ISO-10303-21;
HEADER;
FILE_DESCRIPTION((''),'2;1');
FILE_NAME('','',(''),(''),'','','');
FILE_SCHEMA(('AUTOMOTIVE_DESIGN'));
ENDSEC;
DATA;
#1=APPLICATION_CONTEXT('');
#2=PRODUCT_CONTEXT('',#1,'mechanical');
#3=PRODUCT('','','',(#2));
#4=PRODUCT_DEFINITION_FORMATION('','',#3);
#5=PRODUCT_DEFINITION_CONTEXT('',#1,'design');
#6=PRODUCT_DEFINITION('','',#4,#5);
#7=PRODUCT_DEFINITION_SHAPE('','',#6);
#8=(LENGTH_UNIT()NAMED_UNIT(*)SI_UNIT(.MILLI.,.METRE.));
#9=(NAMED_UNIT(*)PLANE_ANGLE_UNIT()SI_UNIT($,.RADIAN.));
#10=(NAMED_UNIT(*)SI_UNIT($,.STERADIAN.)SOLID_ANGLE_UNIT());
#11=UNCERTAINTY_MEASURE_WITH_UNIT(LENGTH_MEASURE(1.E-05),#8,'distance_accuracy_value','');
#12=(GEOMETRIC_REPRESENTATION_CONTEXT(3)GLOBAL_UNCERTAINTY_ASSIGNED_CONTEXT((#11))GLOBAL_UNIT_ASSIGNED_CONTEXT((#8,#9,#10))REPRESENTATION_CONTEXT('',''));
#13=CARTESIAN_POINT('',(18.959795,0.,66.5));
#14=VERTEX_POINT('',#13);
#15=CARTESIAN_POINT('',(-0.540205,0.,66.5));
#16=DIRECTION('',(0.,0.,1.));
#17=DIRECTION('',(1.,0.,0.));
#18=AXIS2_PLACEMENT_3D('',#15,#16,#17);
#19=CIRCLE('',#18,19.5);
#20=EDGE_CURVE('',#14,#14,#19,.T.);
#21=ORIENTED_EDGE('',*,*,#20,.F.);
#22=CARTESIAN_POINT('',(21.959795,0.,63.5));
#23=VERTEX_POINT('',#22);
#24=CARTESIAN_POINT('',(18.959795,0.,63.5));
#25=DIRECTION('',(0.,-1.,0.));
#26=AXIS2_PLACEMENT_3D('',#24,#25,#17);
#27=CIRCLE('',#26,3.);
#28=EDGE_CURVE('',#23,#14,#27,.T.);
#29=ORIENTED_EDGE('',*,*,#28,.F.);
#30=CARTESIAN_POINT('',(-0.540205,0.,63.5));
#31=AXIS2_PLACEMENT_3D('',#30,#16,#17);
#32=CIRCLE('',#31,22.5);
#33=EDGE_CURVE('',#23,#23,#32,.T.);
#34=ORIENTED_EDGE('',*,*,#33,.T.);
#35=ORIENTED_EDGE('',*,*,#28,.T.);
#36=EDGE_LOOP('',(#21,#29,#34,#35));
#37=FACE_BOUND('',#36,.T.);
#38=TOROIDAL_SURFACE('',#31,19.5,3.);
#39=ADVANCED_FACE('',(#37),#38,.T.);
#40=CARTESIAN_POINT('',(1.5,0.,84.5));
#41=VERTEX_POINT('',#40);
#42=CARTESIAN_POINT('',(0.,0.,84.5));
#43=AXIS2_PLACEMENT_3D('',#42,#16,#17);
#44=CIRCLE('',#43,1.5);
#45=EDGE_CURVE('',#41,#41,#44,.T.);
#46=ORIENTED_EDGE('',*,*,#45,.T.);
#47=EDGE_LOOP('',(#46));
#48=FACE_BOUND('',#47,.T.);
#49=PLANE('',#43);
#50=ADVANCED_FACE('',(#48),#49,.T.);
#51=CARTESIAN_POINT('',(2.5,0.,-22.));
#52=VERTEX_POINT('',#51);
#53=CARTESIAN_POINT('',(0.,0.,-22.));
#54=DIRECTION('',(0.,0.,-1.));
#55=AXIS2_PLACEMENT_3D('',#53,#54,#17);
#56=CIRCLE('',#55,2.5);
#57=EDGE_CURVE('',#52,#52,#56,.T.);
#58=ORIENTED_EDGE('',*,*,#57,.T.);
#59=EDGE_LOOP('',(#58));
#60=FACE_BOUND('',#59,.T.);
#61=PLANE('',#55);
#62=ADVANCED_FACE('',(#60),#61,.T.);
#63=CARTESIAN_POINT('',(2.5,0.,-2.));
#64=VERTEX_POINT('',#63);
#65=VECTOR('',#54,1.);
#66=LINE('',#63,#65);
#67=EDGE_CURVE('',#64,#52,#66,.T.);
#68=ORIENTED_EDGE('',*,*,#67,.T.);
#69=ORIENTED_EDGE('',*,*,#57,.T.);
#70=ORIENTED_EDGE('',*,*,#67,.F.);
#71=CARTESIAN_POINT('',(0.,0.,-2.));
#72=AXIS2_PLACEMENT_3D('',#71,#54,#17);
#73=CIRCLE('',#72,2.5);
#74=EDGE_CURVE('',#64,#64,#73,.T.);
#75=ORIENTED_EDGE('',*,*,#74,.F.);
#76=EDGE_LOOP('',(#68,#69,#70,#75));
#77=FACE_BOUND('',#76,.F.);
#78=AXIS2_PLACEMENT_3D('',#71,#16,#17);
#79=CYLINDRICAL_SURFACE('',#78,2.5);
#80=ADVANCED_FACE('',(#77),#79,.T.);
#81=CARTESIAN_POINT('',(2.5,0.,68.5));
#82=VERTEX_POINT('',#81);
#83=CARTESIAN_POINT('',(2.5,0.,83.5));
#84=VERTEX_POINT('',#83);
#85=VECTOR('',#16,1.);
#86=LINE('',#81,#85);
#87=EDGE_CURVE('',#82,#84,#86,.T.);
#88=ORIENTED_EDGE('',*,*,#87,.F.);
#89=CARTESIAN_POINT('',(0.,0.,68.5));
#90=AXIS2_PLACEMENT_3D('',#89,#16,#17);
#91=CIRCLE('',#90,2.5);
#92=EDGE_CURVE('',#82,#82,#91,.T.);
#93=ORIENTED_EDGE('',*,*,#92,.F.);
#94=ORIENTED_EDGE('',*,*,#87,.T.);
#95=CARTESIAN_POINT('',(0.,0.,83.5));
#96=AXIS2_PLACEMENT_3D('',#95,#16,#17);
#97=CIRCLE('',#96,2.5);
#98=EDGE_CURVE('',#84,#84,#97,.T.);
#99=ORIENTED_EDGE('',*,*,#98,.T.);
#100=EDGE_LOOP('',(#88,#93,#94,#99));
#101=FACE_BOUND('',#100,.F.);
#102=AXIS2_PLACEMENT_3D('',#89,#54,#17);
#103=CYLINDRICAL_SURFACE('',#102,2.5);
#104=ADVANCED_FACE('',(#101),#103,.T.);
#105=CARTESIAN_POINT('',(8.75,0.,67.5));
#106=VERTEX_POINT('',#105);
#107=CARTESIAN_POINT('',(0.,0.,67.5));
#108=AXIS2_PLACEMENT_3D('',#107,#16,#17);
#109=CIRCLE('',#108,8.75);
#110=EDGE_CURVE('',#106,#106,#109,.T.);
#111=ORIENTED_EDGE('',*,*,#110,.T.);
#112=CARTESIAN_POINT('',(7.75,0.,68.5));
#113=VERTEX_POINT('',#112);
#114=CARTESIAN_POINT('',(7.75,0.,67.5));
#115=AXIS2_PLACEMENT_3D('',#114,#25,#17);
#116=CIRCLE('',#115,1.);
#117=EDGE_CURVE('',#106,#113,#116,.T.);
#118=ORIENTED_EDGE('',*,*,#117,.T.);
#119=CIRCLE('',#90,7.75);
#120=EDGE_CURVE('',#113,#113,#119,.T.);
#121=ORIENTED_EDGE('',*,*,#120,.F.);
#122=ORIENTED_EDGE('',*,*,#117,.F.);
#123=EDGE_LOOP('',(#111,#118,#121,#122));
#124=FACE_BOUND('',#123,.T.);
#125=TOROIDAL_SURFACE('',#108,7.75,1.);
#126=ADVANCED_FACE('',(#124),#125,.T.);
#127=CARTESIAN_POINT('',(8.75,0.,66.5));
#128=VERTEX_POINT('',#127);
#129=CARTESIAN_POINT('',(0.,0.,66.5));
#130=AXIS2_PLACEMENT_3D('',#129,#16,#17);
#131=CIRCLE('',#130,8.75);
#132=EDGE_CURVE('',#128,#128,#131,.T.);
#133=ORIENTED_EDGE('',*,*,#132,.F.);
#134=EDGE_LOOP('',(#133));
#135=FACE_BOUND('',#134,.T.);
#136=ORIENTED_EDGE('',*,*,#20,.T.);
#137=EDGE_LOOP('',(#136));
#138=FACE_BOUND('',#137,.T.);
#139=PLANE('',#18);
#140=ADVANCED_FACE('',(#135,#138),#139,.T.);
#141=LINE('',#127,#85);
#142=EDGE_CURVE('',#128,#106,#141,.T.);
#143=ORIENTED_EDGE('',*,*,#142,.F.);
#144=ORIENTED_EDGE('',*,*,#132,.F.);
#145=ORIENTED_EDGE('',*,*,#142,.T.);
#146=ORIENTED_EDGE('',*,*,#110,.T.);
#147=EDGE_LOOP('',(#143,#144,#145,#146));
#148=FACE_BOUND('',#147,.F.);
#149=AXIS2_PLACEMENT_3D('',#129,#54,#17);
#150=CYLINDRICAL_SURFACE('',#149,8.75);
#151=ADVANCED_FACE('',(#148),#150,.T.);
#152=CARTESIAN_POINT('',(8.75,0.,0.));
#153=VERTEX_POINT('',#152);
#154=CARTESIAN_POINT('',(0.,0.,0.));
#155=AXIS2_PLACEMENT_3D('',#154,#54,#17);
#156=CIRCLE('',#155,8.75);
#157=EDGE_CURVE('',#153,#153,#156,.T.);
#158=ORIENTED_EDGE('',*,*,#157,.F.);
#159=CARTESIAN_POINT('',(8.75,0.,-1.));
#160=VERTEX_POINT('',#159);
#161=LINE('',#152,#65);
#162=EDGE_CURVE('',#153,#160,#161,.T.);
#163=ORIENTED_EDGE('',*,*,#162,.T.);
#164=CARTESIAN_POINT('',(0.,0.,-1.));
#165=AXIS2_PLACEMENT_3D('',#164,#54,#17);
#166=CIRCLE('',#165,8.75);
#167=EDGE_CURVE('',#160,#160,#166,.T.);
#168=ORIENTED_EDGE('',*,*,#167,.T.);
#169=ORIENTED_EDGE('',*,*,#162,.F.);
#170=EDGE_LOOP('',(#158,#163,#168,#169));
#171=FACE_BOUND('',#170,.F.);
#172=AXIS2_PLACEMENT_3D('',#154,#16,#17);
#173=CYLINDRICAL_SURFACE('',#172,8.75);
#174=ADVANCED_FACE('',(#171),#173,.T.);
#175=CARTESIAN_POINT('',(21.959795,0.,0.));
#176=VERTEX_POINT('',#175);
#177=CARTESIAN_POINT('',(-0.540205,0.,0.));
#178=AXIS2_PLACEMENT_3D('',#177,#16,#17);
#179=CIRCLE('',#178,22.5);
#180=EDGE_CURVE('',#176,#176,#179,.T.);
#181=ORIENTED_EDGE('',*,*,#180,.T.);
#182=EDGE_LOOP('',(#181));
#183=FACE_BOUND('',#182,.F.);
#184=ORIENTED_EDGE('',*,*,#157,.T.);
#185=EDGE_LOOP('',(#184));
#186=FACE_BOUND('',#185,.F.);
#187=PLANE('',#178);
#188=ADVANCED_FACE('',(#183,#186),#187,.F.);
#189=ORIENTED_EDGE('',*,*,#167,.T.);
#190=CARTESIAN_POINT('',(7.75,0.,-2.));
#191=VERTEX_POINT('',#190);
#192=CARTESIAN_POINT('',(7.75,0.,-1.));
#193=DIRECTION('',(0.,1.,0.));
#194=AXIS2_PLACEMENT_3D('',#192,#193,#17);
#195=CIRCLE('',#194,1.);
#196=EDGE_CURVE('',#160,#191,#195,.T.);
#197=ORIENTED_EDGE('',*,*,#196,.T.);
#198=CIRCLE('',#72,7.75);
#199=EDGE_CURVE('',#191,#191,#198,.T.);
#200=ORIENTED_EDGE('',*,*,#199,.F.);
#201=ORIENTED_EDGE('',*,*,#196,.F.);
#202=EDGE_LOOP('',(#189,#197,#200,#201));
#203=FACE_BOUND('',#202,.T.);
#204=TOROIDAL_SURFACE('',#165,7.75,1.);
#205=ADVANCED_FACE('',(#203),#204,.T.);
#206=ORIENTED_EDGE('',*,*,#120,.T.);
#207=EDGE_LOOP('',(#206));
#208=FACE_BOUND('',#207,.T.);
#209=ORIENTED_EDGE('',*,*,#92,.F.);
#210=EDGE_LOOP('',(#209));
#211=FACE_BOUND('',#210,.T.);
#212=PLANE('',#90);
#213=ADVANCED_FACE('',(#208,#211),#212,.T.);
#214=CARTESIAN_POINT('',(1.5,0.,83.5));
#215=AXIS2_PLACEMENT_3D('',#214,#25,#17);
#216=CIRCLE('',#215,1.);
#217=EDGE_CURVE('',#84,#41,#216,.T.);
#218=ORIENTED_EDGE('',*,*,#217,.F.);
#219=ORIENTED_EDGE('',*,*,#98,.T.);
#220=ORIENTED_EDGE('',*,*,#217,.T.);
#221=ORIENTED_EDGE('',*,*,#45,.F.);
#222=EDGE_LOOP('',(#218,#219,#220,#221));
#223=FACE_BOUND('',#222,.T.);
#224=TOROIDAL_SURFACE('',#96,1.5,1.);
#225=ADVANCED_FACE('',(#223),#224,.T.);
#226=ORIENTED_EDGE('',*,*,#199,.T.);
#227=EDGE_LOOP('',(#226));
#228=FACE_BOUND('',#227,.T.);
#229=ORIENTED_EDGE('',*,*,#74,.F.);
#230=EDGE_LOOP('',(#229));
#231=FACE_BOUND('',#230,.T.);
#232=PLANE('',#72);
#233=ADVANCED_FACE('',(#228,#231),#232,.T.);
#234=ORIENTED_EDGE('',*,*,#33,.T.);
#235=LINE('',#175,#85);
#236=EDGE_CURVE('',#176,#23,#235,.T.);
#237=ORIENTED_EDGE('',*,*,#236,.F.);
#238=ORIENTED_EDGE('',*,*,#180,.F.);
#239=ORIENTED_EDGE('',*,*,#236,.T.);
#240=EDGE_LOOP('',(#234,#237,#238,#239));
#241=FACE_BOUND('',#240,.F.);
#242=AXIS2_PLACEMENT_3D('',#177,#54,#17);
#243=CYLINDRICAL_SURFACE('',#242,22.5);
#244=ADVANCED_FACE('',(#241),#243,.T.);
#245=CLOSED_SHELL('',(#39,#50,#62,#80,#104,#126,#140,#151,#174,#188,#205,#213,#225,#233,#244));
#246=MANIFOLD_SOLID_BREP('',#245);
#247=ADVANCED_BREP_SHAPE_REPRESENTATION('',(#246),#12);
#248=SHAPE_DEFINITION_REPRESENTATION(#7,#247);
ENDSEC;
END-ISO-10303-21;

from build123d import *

# Parameters (mm, degrees)
SKETCH_R     = 22.5
PAD_DEPTH    = 66.5
FILLET_R     = 3
SKETCH001_R  = 8.75
PAD001_DEPTH = 2
FILLET001_R  = 1
SKETCH002_R  = 2.5
PAD002_DEPTH = 16
FILLET002_R  = 1
SKETCH003_R  = 8.75
PAD003_DEPTH = 2
FILLET003_R  = 1
SKETCH004_R  = 2.5
PAD004_DEPTH = 20


with BuildPart() as part:
    # Sketch → Pad (new body)
    with BuildSketch(Plane.XY):
        with Locations((-0.540205, 0)):
            Circle(SKETCH_R)
    extrude(amount=PAD_DEPTH)

    # Fillet
    fillet_edges = [part.edges().sort_by_distance(p)[0] for p in [
        (-23.040205, 0, 66.5),
    ]]
    fillet(fillet_edges, radius=FILLET_R)

    # Sketch001 (on Face4 of Fillet) → Pad001 (join)
    with BuildSketch(Plane.XY.offset(66.5)):
        Circle(SKETCH001_R)
    extrude(amount=PAD001_DEPTH)

    # Fillet001
    fillet001_edges = [part.edges().sort_by_distance(p)[0] for p in [
        (-8.75, 0, 68.5),
    ]]
    fillet(fillet001_edges, radius=FILLET001_R)

    # Sketch002 (on Face4 of Fillet001) → Pad002 (join)
    with BuildSketch(Plane.XY.offset(68.5)):
        Circle(SKETCH002_R)
    extrude(amount=PAD002_DEPTH)

    # Fillet002
    fillet002_edges = [part.edges().sort_by_distance(p)[0] for p in [
        (-2.5, 0, 84.5),
    ]]
    fillet(fillet002_edges, radius=FILLET002_R)

    # Sketch003 (on Face10 of Fillet002) → Pad003 (join)
    with BuildSketch(Plane(origin=(0, 0, 0), x_dir=(1, 0, 0), z_dir=(0, 0, -1))):
        Circle(SKETCH003_R)
    extrude(amount=PAD003_DEPTH)

    # Fillet003
    fillet003_edges = [part.edges().sort_by_distance(p)[0] for p in [
        (-8.75, 0, -2),
    ]]
    fillet(fillet003_edges, radius=FILLET003_R)

    # Sketch004 (on Face4 of Fillet003) → Pad004 (join)
    with BuildSketch(Plane(origin=(0, 0, -2), x_dir=(1, 0, 0), z_dir=(0, 0, -1))):
        Circle(SKETCH004_R)
    extrude(amount=PAD004_DEPTH)


solid = part.part
